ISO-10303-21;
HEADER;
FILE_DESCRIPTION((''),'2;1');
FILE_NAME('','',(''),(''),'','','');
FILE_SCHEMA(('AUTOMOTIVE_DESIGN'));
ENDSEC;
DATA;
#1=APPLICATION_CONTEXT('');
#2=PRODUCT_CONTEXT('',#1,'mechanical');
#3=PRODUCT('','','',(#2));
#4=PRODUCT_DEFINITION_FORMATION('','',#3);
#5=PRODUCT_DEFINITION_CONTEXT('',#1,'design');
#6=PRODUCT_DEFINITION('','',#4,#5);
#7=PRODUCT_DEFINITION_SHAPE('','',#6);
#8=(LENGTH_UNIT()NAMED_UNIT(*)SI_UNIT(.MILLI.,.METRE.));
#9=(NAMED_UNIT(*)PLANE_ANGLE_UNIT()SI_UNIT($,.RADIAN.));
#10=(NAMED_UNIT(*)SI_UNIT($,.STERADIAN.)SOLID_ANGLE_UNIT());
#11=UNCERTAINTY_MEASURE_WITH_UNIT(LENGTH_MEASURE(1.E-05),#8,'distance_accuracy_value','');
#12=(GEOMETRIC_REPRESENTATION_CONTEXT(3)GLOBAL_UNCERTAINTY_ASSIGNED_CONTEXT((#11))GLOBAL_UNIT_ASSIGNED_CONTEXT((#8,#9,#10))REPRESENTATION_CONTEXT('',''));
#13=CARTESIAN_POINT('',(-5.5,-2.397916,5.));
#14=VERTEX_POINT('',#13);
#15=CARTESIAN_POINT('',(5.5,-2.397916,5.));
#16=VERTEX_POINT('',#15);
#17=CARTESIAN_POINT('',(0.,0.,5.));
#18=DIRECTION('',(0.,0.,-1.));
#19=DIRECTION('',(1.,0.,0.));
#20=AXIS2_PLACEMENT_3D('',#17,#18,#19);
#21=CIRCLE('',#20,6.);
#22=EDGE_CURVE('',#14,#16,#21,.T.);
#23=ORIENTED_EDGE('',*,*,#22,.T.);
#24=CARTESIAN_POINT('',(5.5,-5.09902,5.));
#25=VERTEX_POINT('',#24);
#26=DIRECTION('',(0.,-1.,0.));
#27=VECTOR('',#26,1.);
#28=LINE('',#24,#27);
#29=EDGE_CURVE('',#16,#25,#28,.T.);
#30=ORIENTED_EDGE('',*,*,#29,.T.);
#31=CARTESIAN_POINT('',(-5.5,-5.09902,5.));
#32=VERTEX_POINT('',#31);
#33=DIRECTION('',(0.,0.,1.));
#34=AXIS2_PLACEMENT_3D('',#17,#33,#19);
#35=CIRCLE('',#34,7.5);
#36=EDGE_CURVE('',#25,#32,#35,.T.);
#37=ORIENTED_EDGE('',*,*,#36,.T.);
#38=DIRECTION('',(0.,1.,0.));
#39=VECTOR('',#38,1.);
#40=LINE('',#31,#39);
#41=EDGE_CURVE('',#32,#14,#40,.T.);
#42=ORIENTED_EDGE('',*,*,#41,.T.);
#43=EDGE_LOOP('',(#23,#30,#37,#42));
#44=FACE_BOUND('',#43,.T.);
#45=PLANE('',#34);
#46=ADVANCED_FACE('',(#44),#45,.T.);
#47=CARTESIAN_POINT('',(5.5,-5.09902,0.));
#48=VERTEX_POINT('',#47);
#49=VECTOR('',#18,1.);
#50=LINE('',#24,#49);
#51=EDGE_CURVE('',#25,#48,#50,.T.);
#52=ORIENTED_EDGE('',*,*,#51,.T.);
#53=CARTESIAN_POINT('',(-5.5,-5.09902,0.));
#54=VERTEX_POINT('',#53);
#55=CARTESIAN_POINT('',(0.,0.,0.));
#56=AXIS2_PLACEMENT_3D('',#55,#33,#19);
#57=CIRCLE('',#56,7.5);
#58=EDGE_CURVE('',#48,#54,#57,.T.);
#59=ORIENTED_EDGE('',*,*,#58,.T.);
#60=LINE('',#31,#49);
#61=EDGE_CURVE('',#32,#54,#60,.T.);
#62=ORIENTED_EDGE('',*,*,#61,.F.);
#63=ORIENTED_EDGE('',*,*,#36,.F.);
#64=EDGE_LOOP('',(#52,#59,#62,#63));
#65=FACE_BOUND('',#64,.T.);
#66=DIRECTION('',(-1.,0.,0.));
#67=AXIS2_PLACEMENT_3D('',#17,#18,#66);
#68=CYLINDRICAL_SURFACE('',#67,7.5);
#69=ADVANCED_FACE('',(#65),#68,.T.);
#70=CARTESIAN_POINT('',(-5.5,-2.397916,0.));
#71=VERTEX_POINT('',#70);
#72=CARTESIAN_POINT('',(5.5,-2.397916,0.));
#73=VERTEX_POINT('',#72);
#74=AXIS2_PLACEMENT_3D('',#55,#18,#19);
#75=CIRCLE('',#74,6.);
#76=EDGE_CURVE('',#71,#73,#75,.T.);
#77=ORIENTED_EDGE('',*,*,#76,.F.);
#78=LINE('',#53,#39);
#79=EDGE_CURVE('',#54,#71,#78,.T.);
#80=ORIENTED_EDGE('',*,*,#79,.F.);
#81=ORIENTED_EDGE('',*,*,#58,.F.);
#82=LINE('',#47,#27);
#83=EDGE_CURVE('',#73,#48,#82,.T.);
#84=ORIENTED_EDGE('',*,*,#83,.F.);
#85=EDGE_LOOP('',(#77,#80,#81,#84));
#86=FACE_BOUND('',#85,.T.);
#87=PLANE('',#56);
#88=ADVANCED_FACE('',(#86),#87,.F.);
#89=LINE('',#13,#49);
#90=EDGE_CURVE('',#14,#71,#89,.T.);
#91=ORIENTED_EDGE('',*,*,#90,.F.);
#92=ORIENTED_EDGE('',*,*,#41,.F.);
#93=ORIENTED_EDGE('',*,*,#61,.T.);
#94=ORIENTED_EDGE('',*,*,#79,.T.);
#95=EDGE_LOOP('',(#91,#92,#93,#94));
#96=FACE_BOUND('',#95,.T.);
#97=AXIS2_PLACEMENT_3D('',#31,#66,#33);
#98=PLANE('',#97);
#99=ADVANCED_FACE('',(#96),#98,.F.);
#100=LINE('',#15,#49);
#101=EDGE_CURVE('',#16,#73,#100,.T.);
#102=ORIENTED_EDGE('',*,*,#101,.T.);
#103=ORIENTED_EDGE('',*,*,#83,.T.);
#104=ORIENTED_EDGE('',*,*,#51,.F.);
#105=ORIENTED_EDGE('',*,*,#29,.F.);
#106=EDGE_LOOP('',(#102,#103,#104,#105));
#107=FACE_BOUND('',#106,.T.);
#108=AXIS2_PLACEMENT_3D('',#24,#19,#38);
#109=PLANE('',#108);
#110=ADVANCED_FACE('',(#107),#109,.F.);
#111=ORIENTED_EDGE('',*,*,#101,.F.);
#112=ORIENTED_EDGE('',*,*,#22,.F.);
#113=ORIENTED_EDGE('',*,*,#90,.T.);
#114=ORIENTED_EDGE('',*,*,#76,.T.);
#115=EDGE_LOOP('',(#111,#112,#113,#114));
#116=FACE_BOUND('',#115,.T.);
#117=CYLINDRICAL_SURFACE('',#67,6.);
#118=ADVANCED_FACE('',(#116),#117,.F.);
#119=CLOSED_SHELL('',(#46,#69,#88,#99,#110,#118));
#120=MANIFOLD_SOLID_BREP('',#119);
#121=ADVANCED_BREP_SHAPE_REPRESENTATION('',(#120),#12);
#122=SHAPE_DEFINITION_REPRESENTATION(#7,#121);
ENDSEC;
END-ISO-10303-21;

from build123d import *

# Parameters (mm, degrees)
EXTRUDE_1_DEPTH = 5


with BuildPart() as part:
    # ｽｹｯﾁ1 → ﾎﾞｽ - 押し出し1 (new body)
    with BuildSketch(Plane.XY):
        with BuildLine():
            Line((5.5, -5.099019514), (5.5, -2.397915762))
            ThreePointArc((5.5, -2.397915762), (0, 6), (-5.5, -2.397915762))
            Line((-5.5, -2.397915762), (-5.5, -5.099019514))
            ThreePointArc((-5.5, -5.099019514), (0, 7.5), (5.5, -5.099019514))
        make_face()
    extrude(amount=EXTRUDE_1_DEPTH)


solid = part.part
